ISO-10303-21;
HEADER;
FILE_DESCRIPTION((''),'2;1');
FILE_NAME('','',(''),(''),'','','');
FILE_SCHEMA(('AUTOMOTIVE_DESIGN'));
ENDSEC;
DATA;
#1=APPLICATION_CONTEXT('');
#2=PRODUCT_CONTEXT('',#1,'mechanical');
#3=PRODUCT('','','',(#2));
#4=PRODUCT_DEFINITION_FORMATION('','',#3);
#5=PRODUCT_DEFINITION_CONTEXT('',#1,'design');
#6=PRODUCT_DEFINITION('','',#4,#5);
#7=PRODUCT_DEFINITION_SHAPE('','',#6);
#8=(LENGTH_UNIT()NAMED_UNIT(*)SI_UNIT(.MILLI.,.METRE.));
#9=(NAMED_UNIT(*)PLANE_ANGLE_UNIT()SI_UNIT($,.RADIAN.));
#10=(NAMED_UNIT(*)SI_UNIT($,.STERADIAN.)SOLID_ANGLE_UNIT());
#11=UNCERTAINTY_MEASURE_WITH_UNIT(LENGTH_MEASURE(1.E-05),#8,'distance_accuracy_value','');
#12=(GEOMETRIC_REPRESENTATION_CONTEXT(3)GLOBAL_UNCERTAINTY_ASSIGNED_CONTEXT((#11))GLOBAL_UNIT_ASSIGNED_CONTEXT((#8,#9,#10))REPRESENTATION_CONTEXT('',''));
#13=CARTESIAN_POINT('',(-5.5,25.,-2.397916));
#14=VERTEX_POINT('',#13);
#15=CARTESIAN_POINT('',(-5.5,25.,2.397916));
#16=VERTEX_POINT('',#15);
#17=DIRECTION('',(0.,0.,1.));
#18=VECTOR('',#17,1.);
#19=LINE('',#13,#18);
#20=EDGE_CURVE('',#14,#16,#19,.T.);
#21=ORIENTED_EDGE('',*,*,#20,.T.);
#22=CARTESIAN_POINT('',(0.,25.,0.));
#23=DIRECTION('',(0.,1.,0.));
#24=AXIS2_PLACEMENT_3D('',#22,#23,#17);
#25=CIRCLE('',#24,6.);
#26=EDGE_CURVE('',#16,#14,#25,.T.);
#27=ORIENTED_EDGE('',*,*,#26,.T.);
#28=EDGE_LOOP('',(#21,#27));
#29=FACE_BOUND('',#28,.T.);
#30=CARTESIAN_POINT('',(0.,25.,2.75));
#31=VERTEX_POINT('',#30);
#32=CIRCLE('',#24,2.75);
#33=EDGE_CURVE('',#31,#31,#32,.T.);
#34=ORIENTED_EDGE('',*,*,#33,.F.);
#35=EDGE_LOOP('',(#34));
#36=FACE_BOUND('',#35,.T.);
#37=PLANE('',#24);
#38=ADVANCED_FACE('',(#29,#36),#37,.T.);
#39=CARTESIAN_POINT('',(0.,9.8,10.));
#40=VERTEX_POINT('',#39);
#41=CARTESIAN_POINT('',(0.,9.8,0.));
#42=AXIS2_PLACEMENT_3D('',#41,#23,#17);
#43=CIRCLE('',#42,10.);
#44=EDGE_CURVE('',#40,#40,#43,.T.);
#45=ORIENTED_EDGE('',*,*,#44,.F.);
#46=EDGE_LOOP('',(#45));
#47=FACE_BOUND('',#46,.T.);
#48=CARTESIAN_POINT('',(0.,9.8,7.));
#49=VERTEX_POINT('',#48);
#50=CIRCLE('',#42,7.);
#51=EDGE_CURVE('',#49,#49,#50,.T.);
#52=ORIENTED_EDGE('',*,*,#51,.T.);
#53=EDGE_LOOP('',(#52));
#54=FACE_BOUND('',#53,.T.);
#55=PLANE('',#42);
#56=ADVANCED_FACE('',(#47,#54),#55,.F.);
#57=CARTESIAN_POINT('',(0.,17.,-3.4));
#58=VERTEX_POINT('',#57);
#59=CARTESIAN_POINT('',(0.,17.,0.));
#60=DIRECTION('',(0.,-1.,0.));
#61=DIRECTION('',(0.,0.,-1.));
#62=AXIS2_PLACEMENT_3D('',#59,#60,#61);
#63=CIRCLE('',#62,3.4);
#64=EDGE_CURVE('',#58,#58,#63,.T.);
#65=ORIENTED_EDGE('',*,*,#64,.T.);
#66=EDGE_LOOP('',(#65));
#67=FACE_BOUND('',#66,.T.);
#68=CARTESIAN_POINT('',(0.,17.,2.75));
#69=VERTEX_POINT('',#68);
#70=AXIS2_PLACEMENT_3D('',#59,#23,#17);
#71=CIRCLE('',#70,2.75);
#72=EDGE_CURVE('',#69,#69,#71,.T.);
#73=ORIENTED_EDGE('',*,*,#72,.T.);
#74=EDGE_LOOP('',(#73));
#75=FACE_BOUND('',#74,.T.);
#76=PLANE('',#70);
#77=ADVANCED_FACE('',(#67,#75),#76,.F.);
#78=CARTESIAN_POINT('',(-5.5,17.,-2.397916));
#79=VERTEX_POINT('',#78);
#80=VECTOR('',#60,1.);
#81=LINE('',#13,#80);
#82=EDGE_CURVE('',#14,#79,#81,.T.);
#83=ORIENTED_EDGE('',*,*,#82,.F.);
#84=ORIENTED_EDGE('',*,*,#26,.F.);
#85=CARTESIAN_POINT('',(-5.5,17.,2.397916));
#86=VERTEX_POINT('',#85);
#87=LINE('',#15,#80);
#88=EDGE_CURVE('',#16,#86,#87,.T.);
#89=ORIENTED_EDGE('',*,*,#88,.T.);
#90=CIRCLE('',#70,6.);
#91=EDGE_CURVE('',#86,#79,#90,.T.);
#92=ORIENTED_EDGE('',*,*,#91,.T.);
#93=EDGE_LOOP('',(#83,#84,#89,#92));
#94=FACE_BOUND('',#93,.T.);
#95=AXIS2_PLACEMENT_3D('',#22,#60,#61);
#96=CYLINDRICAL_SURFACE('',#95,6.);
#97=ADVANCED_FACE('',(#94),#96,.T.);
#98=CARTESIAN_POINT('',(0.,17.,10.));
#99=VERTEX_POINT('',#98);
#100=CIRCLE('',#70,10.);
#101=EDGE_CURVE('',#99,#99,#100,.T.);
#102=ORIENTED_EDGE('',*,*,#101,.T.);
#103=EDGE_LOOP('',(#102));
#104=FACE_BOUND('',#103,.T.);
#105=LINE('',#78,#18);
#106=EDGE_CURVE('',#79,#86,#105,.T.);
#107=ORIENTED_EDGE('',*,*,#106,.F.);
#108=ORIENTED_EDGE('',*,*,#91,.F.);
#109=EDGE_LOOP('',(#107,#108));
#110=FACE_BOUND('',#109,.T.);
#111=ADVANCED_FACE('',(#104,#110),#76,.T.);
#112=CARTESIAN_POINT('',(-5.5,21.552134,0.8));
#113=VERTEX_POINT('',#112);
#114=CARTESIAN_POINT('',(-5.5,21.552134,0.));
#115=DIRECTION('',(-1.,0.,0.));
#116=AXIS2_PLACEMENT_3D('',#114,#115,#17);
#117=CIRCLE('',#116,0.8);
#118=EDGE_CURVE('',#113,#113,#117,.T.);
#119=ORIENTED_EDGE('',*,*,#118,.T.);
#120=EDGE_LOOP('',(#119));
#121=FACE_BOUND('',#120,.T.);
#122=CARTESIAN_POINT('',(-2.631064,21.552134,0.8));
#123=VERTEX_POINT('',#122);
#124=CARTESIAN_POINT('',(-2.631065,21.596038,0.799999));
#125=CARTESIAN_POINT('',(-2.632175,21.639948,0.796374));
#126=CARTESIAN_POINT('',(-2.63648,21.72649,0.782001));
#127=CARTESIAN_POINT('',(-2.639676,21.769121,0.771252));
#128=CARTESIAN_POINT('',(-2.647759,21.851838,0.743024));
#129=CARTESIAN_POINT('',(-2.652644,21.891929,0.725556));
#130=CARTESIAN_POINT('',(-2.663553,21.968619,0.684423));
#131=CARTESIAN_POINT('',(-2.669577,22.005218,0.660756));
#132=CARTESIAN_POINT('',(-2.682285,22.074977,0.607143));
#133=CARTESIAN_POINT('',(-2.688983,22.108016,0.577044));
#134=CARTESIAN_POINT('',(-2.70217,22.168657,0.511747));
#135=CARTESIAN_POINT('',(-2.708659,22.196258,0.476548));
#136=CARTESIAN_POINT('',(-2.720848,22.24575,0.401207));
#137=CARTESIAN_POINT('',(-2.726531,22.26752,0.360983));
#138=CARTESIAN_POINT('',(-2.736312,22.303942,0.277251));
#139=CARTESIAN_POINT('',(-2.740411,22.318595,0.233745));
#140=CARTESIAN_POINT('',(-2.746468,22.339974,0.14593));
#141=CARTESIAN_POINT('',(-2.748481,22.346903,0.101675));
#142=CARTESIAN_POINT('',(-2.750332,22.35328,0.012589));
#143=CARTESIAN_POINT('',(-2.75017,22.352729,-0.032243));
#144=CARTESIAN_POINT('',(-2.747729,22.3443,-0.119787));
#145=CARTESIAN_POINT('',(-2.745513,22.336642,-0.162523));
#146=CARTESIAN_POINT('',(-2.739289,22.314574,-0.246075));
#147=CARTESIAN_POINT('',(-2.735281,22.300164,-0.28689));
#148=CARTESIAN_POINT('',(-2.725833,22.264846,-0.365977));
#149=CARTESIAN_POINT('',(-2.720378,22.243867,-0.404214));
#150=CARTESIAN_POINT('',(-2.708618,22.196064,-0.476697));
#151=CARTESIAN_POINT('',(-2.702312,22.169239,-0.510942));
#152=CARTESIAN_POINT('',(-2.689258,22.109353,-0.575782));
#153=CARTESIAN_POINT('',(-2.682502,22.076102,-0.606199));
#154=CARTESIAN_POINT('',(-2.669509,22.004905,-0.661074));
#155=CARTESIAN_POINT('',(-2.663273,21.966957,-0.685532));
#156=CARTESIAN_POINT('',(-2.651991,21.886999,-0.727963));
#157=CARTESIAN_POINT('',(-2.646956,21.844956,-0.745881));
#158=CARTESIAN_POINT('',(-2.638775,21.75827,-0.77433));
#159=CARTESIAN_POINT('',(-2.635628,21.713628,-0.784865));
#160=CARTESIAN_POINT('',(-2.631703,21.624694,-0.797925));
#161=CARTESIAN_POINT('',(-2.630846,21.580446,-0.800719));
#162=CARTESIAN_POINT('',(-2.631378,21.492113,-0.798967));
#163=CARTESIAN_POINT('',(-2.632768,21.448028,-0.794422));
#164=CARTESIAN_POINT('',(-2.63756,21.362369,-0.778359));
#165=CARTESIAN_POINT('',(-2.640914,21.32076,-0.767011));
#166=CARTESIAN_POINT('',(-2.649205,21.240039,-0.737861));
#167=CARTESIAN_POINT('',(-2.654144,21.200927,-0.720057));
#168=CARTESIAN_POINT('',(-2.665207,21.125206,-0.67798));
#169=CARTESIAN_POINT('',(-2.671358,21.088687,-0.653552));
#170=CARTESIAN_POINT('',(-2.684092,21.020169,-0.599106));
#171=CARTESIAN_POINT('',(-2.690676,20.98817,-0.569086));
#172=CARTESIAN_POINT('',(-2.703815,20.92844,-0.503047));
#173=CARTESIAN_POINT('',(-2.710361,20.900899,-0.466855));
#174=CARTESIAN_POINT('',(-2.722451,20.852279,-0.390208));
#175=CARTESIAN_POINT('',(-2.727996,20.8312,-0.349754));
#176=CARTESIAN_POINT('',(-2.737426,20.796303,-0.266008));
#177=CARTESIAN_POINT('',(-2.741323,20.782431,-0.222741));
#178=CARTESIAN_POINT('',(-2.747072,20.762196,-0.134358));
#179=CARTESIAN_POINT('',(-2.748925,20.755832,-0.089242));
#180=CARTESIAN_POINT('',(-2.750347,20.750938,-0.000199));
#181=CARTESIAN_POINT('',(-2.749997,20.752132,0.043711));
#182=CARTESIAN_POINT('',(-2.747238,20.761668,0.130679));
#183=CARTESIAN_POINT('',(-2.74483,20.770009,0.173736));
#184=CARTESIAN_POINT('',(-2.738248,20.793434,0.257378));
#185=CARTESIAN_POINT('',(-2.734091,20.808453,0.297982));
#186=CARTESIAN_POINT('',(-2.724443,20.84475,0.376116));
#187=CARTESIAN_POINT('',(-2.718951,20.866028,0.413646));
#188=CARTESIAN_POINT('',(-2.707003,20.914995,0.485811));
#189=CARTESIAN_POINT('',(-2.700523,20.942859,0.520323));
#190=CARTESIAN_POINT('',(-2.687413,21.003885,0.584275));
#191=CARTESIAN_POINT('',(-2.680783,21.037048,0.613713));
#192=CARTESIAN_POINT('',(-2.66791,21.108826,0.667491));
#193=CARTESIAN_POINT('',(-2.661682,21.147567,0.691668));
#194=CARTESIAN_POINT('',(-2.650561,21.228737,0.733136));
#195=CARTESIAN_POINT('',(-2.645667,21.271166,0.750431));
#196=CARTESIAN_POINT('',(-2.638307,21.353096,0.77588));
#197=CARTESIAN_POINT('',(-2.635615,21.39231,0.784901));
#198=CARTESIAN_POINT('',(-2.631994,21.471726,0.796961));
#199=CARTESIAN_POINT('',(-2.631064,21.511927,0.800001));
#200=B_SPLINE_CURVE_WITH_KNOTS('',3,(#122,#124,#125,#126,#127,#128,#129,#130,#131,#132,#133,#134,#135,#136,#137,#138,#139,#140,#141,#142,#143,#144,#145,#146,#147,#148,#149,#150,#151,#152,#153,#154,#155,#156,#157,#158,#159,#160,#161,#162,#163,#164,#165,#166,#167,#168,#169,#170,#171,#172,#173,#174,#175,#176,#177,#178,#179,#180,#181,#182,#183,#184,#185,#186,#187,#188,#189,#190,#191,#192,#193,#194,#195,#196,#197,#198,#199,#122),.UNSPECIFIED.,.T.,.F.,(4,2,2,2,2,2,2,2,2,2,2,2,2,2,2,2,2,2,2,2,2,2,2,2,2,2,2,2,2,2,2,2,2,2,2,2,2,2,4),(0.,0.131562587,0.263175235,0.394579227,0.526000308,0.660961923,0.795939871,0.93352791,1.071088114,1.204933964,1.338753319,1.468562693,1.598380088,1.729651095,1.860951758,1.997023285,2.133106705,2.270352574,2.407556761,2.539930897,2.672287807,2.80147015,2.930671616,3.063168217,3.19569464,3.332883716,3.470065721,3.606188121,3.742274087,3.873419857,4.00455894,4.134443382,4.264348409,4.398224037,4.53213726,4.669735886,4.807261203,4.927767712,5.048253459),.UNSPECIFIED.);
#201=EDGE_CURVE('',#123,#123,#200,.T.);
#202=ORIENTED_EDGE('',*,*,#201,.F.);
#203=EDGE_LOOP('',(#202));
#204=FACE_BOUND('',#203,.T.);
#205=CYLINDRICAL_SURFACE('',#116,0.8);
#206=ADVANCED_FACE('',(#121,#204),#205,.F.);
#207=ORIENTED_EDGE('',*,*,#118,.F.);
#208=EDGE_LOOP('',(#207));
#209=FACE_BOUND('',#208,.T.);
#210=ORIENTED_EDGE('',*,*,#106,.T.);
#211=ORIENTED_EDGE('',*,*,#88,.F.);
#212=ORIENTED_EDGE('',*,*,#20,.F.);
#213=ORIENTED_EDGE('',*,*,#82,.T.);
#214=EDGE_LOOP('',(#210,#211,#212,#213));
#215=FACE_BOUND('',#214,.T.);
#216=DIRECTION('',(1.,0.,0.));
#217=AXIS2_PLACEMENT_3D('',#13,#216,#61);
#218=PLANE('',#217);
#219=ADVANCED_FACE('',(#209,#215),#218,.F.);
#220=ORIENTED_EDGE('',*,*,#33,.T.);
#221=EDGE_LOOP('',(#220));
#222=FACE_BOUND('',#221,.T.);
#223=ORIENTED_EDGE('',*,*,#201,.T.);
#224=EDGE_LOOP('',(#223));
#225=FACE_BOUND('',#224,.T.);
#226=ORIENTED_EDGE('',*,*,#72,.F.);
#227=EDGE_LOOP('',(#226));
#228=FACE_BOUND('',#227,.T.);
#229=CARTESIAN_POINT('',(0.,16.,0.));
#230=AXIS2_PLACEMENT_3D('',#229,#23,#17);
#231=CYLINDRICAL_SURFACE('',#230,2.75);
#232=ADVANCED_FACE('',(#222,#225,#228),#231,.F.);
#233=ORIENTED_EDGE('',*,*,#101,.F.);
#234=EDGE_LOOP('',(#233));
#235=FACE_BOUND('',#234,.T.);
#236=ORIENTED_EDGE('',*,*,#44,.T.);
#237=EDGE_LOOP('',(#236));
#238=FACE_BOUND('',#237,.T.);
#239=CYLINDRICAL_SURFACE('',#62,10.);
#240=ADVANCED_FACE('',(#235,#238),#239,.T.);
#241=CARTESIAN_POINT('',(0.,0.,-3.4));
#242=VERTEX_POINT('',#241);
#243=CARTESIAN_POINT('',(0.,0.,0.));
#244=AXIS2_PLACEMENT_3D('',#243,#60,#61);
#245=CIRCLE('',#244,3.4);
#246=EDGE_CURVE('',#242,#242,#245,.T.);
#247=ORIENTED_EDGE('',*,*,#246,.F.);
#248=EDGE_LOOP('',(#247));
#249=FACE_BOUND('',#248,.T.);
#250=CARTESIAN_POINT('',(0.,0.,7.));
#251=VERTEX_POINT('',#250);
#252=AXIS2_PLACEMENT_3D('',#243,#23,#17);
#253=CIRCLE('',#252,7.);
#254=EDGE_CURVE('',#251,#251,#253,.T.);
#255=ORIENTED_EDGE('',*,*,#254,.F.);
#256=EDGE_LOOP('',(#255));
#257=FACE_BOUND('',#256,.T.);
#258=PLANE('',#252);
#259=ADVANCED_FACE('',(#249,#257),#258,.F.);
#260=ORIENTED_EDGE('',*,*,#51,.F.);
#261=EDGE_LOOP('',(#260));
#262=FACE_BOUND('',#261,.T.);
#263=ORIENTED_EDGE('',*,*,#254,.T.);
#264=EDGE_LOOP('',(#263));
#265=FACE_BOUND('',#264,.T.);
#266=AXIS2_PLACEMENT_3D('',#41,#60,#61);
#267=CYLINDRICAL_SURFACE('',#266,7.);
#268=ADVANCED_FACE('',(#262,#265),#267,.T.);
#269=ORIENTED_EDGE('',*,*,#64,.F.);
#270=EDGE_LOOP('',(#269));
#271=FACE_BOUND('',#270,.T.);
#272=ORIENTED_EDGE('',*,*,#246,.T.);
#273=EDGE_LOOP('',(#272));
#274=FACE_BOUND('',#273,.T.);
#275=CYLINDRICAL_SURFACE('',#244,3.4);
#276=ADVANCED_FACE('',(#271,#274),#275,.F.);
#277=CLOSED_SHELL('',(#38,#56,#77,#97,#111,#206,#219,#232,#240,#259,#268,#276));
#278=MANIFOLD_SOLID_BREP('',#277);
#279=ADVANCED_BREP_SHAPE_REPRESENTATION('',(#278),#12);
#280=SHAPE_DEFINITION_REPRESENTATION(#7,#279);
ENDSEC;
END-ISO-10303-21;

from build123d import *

# Parameters (mm, degrees)
SKETCH5_R             = 7
BOSS_EXTRUDE2_DEPTH   = 9.8
SKETCH6_R             = 10
BOSS_EXTRUDE3_DEPTH   = 7.2
M8_TAPPED_HOLE2_D     = 6.8
M8_TAPPED_HOLE2_DEPTH = 17
M8_TAPPED_HOLE2_TIP   = 2.042926105
BOSS_EXTRUDE5_DEPTH   = 8
SKETCH12_R            = 2.75
CUT_EXTRUDE6_DEPTH    = 9
M2_TAPPED_HOLE1_D     = 1.6
M2_TAPPED_HOLE1_DEPTH = 5.2
M2_TAPPED_HOLE1_TIP   = 0.480688495


with BuildPart() as part:
    # Sketch5 → Boss-Extrude2 (new body)
    with BuildSketch(Plane(origin=(0, 0, 0), x_dir=(1, 0, 0), z_dir=(0, 1, 0))):
        Circle(SKETCH5_R)
    extrude(amount=BOSS_EXTRUDE2_DEPTH)

    # Sketch6 → Boss-Extrude3 (add)
    with BuildSketch(Plane(origin=(0, 9.8, 0), x_dir=(1, 0, 0), z_dir=(0, 1, 0))):
        Circle(SKETCH6_R)
    extrude(amount=BOSS_EXTRUDE3_DEPTH)

    # M8 Tapped Hole2
    with Locations(Plane(origin=(0, 0, 0), x_dir=(-1, 0, 0), z_dir=(0, -1, 0))):
        with Locations((0, 0)):
            Hole(M8_TAPPED_HOLE2_D / 2, depth=M8_TAPPED_HOLE2_DEPTH)
            with Locations((0, 0, -(M8_TAPPED_HOLE2_DEPTH + M8_TAPPED_HOLE2_TIP / 2))):  # 118° drill point
                Cone(0, M8_TAPPED_HOLE2_D / 2, M8_TAPPED_HOLE2_TIP, mode=Mode.SUBTRACT)

    # Sketch11 → Boss-Extrude5 (add)
    with BuildSketch(Plane(origin=(0, 17, 0), x_dir=(1, 0, 0), z_dir=(0, 1, 0))):
        with BuildLine():
            Line((-5.5, 2.397915762), (-5.5, -2.397915762))
            ThreePointArc((-5.5, -2.397915762), (6, 0), (-5.5, 2.397915762))
        make_face()
    extrude(amount=BOSS_EXTRUDE5_DEPTH)

    # Sketch12 → Cut-Extrude6 (cut)
    with BuildSketch(Plane(origin=(0, 25, 0), x_dir=(1, 0, 0), z_dir=(0, 1, 0))):
        Circle(SKETCH12_R)
    extrude(amount=-CUT_EXTRUDE6_DEPTH, mode=Mode.SUBTRACT)

    # M2 Tapped Hole1
    with Locations(Plane.ZY.offset(5.5)):
        with Locations((0, 21.552134156)):
            Hole(M2_TAPPED_HOLE1_D / 2, depth=M2_TAPPED_HOLE1_DEPTH)
            with Locations((0, 0, -(M2_TAPPED_HOLE1_DEPTH + M2_TAPPED_HOLE1_TIP / 2))):  # 118° drill point
                Cone(0, M2_TAPPED_HOLE1_D / 2, M2_TAPPED_HOLE1_TIP, mode=Mode.SUBTRACT)


solid = part.part
